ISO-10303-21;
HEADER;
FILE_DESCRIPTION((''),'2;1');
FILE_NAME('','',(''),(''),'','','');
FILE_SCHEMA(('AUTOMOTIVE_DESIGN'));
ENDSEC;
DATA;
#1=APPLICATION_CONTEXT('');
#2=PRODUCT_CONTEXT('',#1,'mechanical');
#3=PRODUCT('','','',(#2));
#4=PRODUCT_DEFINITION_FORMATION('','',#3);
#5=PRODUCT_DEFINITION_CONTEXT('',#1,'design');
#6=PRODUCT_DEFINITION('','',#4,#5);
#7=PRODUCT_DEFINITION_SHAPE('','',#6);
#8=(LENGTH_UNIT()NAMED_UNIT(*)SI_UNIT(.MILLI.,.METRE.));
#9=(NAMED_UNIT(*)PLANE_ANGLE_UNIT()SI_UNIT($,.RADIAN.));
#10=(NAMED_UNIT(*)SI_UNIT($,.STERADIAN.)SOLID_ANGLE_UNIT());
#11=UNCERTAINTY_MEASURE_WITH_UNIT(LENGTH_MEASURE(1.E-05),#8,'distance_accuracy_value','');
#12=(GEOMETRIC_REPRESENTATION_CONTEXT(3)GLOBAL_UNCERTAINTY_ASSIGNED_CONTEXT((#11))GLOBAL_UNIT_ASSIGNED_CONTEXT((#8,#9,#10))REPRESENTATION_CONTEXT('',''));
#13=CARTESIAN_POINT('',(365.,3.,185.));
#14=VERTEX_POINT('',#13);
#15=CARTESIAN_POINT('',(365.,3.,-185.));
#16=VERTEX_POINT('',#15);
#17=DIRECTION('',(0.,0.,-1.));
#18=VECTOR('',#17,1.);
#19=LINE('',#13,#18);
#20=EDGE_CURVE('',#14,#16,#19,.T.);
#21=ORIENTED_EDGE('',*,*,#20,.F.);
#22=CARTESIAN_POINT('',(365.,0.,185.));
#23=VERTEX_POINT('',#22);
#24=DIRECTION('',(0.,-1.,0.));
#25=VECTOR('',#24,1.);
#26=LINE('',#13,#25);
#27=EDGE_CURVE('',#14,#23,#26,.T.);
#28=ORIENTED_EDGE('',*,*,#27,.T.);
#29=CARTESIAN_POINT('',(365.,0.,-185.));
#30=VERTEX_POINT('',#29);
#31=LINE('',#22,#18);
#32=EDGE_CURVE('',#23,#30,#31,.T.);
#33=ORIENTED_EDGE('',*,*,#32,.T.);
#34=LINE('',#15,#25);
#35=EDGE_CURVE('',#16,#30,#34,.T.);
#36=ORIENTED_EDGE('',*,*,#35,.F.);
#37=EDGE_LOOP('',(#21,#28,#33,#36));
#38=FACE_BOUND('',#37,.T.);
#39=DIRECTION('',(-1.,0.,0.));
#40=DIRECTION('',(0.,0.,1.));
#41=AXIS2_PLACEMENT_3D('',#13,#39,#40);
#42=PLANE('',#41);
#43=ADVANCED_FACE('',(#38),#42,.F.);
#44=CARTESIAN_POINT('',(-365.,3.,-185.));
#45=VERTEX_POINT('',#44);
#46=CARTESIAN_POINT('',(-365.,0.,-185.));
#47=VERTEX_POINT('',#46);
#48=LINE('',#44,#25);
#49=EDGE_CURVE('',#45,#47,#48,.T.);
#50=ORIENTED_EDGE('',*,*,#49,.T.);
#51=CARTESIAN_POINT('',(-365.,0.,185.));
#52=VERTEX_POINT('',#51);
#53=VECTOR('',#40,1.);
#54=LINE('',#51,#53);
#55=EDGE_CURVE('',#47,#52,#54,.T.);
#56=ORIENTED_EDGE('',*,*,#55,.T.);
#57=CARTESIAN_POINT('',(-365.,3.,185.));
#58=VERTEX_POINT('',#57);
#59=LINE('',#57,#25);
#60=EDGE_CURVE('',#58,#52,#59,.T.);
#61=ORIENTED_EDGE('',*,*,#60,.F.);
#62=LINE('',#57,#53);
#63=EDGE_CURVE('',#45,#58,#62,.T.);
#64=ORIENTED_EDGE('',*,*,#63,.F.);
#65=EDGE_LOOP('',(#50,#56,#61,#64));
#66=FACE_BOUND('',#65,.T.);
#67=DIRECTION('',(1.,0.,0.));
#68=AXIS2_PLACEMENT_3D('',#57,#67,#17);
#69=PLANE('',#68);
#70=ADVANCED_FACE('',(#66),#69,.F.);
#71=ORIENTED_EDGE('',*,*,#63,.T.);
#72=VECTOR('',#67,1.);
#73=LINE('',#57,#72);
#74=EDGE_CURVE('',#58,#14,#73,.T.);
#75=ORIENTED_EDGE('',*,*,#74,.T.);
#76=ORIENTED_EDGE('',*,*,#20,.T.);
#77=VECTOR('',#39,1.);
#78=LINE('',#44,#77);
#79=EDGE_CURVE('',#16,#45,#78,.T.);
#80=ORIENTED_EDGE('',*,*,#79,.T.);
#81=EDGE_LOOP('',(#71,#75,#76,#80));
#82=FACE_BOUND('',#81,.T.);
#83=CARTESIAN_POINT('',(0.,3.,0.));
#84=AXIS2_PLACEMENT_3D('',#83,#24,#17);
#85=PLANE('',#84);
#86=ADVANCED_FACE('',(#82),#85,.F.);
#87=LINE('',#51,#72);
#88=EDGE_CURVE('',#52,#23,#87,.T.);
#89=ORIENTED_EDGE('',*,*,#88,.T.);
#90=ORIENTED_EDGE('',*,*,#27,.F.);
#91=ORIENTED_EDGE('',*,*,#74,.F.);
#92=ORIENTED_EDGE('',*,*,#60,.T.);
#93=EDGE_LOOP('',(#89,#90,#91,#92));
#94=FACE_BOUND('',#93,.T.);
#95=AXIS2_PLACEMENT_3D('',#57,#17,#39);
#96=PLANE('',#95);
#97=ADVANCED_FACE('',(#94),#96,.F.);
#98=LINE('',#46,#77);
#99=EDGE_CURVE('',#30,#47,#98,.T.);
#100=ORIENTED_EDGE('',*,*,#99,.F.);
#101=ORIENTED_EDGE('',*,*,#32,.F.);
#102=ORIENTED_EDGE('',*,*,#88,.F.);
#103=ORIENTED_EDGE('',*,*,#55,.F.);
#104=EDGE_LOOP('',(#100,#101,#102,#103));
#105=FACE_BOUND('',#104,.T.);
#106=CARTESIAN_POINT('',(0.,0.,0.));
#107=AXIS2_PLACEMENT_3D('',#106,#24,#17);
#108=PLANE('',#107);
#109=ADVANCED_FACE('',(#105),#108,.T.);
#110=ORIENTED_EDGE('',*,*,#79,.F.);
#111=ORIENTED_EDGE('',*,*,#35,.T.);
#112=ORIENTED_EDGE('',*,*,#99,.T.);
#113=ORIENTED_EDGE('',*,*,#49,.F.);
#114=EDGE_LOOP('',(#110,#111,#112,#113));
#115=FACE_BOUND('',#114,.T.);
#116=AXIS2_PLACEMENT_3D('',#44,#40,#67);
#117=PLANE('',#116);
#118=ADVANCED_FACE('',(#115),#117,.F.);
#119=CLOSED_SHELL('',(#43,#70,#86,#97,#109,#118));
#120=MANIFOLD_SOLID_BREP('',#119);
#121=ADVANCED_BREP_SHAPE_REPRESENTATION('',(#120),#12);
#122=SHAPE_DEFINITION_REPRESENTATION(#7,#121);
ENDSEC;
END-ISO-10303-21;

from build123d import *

# Parameters (mm, degrees)
SKETCH1_W           = 730
SKETCH1_H           = 370
BOSS_EXTRUDE1_DEPTH = 3


with BuildPart() as part:
    # Sketch1 → Boss-Extrude1 (new body)
    with BuildSketch(Plane(origin=(0, 0, 0), x_dir=(1, 0, 0), z_dir=(0, 1, 0))):
        Rectangle(SKETCH1_W, SKETCH1_H)
    extrude(amount=BOSS_EXTRUDE1_DEPTH)


solid = part.part
